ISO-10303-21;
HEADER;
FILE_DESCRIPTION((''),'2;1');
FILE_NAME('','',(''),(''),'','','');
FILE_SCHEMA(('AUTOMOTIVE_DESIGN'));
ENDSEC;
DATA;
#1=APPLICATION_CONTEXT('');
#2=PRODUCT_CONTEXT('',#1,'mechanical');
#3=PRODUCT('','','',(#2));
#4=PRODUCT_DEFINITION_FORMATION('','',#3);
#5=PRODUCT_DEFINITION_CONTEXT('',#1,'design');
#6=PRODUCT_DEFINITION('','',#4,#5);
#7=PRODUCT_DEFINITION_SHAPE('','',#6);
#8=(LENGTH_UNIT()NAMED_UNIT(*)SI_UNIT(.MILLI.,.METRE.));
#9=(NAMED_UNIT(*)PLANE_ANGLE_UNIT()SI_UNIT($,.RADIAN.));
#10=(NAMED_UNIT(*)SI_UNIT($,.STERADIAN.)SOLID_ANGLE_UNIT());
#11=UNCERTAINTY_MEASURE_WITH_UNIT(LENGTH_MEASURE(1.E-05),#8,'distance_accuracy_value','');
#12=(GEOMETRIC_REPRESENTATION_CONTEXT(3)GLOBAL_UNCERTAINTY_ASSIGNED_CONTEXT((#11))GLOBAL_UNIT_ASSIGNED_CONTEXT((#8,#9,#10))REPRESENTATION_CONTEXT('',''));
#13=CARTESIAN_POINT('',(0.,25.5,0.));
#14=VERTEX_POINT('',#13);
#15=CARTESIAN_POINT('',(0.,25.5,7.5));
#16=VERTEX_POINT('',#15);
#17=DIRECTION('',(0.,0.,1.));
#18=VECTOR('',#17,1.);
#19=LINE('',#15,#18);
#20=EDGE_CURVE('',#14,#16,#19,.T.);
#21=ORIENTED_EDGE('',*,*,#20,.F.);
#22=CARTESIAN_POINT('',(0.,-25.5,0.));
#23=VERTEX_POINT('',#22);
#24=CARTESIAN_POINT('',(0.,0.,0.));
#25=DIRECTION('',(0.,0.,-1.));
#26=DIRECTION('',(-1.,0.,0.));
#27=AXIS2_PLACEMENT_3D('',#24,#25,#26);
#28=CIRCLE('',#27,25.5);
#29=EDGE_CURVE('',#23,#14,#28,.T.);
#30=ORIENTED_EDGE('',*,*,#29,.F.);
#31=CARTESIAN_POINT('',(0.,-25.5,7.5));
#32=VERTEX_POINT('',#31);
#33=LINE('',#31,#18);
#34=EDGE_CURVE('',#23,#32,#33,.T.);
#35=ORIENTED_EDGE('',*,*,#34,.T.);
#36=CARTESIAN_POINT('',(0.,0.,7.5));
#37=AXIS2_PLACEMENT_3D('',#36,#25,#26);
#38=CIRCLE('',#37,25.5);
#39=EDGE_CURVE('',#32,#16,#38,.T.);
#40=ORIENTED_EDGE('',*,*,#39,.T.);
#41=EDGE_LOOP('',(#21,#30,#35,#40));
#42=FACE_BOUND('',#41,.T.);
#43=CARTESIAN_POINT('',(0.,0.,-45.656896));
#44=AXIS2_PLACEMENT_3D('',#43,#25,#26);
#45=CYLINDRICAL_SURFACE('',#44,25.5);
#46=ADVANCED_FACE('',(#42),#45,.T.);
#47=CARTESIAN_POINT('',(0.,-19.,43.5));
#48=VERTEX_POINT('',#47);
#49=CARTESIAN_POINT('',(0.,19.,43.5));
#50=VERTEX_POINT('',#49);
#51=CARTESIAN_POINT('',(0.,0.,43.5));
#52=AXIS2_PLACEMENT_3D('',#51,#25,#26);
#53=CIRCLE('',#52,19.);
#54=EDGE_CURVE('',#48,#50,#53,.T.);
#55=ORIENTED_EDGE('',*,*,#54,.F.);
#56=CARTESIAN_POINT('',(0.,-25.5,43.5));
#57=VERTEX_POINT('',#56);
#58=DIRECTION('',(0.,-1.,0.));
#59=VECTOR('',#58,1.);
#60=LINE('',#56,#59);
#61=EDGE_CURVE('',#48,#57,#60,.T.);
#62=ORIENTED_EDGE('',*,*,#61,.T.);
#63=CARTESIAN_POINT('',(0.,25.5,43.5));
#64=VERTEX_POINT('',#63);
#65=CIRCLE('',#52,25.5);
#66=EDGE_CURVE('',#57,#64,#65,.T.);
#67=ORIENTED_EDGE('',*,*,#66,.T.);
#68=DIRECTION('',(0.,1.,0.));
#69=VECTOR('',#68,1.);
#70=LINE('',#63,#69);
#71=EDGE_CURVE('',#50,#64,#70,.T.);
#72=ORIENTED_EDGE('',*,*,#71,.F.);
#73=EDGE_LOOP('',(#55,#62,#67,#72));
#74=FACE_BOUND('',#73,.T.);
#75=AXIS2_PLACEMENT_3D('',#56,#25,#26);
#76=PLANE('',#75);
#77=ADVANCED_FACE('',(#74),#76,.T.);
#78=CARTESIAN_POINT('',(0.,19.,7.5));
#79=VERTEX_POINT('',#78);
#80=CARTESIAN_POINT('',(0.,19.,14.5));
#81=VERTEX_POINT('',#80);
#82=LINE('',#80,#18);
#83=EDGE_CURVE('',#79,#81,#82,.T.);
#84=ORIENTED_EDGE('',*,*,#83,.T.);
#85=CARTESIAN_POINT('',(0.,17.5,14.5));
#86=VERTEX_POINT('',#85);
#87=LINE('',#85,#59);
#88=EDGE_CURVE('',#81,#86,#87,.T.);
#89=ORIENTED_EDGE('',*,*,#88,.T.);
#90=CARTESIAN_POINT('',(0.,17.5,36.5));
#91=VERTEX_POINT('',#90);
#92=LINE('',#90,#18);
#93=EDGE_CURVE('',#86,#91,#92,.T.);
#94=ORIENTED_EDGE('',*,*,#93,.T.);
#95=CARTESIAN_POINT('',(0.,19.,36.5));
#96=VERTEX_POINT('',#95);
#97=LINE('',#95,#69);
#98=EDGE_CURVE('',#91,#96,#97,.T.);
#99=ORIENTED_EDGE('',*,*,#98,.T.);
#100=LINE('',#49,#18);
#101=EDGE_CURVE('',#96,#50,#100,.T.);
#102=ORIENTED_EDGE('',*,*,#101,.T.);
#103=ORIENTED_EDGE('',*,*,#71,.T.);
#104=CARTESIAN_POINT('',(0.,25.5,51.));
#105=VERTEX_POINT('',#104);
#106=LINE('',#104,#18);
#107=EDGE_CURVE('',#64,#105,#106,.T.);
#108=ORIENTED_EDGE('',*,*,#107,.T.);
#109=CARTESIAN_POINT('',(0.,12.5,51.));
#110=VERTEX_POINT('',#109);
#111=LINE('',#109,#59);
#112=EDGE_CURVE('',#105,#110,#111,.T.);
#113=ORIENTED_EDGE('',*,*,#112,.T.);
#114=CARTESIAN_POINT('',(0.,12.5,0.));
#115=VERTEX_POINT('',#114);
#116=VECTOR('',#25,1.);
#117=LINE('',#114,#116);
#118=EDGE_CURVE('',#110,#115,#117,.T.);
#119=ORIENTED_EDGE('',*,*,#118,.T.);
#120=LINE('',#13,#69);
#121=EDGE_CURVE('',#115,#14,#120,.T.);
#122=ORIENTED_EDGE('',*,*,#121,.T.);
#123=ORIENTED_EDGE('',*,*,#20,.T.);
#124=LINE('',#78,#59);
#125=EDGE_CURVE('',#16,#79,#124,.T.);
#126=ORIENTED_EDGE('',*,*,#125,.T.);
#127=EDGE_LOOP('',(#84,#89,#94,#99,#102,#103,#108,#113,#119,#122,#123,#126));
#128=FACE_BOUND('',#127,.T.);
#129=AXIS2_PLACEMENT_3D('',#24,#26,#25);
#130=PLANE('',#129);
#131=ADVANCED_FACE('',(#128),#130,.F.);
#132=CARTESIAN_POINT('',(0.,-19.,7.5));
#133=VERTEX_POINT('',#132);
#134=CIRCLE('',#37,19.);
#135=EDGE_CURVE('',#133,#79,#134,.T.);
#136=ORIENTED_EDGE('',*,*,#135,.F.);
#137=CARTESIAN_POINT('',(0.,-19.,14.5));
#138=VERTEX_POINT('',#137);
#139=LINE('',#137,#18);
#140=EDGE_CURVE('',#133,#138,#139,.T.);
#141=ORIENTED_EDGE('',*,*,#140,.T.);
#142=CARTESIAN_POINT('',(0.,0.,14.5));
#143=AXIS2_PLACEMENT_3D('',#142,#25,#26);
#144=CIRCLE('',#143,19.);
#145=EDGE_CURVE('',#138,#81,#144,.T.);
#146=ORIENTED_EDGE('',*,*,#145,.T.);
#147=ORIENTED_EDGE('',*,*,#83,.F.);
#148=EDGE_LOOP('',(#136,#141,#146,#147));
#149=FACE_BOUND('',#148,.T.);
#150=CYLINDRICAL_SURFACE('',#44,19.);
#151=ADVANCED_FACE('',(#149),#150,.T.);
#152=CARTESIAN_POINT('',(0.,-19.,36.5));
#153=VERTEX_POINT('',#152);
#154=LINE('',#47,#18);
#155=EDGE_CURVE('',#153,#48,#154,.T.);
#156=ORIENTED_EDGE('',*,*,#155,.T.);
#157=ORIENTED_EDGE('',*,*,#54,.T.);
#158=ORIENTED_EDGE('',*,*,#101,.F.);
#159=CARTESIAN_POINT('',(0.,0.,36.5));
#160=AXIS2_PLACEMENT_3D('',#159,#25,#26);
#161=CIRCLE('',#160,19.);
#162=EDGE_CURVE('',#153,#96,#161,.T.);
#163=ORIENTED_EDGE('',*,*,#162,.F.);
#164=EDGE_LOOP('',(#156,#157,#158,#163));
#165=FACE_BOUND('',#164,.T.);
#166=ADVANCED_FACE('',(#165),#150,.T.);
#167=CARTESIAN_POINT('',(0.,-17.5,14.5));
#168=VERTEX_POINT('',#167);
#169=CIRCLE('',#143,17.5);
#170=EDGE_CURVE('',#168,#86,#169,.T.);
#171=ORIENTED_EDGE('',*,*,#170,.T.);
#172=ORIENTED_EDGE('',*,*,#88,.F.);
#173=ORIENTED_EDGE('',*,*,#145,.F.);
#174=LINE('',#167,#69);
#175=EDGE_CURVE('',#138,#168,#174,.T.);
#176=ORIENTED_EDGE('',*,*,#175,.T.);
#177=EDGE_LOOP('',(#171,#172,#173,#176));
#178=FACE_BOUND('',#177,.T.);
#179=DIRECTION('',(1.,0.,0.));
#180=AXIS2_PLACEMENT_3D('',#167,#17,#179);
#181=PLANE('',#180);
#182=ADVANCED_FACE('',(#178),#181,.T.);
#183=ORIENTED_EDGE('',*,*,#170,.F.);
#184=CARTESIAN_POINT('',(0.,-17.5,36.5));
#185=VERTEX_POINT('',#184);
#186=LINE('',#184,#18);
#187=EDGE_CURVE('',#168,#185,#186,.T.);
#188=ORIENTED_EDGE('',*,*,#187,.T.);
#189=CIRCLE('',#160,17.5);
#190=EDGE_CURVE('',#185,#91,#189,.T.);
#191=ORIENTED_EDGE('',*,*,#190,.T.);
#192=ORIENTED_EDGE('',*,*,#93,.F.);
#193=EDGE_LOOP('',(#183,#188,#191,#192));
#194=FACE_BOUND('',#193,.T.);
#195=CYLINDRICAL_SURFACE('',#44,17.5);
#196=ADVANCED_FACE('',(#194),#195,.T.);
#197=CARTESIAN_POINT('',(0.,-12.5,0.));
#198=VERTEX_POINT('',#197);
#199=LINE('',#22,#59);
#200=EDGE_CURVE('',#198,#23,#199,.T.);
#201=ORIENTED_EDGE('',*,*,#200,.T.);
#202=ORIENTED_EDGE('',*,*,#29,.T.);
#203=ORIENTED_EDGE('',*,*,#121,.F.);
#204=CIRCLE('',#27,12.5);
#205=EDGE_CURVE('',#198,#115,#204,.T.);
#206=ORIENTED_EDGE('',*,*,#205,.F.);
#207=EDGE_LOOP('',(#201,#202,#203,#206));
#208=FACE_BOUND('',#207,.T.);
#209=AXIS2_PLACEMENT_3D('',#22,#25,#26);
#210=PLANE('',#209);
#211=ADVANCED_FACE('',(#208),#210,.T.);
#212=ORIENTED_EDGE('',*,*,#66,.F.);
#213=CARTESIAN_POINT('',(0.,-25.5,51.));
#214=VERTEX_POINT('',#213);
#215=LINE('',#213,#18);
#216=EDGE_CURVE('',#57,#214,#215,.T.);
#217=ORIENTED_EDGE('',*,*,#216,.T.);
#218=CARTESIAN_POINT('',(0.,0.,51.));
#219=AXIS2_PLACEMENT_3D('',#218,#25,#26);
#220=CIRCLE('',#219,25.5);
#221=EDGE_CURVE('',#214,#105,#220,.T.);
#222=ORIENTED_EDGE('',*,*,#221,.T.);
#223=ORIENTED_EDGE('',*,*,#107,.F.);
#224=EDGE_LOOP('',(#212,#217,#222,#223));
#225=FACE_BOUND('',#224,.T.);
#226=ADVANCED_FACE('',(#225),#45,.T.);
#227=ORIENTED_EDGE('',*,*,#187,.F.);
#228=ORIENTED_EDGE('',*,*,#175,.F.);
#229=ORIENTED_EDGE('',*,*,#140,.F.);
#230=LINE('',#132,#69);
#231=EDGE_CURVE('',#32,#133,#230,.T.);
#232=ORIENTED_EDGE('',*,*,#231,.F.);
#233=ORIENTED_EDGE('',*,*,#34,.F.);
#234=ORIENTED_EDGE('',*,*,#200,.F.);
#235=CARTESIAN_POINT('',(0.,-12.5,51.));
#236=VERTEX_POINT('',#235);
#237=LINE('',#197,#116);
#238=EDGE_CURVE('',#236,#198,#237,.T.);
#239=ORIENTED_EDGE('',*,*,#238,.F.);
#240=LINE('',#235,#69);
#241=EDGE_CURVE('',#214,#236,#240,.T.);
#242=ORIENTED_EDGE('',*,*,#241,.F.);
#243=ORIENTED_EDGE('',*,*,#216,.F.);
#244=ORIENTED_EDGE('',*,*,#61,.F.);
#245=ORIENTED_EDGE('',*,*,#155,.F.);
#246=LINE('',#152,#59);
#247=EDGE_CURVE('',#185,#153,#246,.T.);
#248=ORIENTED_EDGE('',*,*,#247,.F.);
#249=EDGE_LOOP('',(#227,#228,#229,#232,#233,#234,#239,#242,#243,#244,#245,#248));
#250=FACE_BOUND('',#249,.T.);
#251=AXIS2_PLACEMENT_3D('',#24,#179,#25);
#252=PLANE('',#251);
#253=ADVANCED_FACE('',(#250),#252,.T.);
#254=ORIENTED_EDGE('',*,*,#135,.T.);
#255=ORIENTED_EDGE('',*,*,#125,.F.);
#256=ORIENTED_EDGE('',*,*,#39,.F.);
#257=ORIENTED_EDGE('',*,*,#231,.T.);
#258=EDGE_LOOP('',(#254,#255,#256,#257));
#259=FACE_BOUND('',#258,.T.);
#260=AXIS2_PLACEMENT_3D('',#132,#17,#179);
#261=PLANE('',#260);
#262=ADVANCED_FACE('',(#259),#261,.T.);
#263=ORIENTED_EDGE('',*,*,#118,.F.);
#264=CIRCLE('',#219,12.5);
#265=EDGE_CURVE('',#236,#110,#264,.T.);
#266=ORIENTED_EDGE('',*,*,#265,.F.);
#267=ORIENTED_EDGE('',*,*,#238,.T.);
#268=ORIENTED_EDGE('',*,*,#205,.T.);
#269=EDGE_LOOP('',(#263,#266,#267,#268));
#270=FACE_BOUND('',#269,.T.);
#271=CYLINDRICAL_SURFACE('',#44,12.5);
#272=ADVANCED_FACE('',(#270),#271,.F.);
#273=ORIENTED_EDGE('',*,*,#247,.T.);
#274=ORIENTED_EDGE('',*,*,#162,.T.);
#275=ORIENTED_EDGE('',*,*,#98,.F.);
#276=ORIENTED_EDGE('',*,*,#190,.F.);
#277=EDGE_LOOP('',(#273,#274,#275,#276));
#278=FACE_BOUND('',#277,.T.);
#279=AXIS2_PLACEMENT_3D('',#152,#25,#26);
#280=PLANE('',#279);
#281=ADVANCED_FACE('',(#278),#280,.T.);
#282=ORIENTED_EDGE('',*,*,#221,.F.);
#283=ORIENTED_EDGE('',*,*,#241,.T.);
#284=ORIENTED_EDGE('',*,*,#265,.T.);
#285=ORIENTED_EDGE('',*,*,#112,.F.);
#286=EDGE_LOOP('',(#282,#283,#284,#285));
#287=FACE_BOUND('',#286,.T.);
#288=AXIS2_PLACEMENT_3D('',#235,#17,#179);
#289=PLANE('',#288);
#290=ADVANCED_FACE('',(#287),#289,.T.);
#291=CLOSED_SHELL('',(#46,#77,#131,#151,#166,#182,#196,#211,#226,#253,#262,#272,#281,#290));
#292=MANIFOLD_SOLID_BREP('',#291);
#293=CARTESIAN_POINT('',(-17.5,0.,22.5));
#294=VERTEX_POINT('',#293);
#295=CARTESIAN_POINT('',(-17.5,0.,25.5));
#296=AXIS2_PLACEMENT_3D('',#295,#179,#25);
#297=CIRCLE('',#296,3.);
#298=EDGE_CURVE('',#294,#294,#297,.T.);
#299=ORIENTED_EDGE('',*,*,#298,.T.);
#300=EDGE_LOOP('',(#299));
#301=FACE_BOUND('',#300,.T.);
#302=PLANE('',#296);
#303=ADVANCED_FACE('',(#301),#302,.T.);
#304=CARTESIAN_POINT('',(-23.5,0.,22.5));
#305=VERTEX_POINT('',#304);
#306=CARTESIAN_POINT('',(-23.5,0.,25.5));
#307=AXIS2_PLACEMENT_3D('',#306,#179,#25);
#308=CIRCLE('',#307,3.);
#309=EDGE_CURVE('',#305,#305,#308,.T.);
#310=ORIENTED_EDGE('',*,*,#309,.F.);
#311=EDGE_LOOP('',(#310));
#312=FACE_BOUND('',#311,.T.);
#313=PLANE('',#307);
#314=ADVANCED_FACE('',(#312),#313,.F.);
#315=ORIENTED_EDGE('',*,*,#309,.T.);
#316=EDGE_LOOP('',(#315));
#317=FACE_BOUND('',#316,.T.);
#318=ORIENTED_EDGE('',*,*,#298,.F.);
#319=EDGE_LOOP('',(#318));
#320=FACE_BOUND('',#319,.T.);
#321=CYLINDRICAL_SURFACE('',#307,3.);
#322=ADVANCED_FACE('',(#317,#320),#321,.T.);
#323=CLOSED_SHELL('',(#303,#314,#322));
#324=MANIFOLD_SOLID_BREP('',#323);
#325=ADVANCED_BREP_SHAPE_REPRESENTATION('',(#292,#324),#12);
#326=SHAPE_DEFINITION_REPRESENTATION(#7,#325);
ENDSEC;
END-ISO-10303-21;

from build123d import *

# Parameters (mm, degrees)
REVOLVE1_ANGLE      = 180
SKETCH2_R           = 3
BOSS_EXTRUDE1_DEPTH = 6


with BuildPart() as part:
    # Sketch1 → Revolve1 (revolve, symmetric)
    with BuildSketch(Plane(origin=(0, 0, 0), x_dir=(1, 0, 0), z_dir=(0, 1, 0))) as revolve1_sk:
        Polygon((-12.5, 0), (-12.5, -51), (-25.5, -51), (-25.5, -43.5), (-19, -43.5), (-19, -36.5), (-17.5, -36.5), (-17.5, -14.5), (-19, -14.5), (-19, -7.5), (-25.5, -7.5), (-25.5, 0), align=None)
    revolve(axis=Axis((0, 0, -45.656895706), (0, 0, 1)), revolution_arc=REVOLVE1_ANGLE / 2)
    revolve(revolve1_sk.sketch, axis=Axis((0, 0, -45.656895706), (0, 0, -1)), revolution_arc=REVOLVE1_ANGLE / 2)


with BuildPart() as body_2:
    # Sketch2 → Boss-Extrude1 (new body)
    with BuildSketch(Plane(origin=(-17.5, 0, 0), x_dir=(0, 0, -1), z_dir=(1, 0, 0))):
        with Locations((-25.5, 0)):
            Circle(SKETCH2_R)
    extrude(amount=-BOSS_EXTRUDE1_DEPTH)


solid = Compound([part.part, body_2.part])
